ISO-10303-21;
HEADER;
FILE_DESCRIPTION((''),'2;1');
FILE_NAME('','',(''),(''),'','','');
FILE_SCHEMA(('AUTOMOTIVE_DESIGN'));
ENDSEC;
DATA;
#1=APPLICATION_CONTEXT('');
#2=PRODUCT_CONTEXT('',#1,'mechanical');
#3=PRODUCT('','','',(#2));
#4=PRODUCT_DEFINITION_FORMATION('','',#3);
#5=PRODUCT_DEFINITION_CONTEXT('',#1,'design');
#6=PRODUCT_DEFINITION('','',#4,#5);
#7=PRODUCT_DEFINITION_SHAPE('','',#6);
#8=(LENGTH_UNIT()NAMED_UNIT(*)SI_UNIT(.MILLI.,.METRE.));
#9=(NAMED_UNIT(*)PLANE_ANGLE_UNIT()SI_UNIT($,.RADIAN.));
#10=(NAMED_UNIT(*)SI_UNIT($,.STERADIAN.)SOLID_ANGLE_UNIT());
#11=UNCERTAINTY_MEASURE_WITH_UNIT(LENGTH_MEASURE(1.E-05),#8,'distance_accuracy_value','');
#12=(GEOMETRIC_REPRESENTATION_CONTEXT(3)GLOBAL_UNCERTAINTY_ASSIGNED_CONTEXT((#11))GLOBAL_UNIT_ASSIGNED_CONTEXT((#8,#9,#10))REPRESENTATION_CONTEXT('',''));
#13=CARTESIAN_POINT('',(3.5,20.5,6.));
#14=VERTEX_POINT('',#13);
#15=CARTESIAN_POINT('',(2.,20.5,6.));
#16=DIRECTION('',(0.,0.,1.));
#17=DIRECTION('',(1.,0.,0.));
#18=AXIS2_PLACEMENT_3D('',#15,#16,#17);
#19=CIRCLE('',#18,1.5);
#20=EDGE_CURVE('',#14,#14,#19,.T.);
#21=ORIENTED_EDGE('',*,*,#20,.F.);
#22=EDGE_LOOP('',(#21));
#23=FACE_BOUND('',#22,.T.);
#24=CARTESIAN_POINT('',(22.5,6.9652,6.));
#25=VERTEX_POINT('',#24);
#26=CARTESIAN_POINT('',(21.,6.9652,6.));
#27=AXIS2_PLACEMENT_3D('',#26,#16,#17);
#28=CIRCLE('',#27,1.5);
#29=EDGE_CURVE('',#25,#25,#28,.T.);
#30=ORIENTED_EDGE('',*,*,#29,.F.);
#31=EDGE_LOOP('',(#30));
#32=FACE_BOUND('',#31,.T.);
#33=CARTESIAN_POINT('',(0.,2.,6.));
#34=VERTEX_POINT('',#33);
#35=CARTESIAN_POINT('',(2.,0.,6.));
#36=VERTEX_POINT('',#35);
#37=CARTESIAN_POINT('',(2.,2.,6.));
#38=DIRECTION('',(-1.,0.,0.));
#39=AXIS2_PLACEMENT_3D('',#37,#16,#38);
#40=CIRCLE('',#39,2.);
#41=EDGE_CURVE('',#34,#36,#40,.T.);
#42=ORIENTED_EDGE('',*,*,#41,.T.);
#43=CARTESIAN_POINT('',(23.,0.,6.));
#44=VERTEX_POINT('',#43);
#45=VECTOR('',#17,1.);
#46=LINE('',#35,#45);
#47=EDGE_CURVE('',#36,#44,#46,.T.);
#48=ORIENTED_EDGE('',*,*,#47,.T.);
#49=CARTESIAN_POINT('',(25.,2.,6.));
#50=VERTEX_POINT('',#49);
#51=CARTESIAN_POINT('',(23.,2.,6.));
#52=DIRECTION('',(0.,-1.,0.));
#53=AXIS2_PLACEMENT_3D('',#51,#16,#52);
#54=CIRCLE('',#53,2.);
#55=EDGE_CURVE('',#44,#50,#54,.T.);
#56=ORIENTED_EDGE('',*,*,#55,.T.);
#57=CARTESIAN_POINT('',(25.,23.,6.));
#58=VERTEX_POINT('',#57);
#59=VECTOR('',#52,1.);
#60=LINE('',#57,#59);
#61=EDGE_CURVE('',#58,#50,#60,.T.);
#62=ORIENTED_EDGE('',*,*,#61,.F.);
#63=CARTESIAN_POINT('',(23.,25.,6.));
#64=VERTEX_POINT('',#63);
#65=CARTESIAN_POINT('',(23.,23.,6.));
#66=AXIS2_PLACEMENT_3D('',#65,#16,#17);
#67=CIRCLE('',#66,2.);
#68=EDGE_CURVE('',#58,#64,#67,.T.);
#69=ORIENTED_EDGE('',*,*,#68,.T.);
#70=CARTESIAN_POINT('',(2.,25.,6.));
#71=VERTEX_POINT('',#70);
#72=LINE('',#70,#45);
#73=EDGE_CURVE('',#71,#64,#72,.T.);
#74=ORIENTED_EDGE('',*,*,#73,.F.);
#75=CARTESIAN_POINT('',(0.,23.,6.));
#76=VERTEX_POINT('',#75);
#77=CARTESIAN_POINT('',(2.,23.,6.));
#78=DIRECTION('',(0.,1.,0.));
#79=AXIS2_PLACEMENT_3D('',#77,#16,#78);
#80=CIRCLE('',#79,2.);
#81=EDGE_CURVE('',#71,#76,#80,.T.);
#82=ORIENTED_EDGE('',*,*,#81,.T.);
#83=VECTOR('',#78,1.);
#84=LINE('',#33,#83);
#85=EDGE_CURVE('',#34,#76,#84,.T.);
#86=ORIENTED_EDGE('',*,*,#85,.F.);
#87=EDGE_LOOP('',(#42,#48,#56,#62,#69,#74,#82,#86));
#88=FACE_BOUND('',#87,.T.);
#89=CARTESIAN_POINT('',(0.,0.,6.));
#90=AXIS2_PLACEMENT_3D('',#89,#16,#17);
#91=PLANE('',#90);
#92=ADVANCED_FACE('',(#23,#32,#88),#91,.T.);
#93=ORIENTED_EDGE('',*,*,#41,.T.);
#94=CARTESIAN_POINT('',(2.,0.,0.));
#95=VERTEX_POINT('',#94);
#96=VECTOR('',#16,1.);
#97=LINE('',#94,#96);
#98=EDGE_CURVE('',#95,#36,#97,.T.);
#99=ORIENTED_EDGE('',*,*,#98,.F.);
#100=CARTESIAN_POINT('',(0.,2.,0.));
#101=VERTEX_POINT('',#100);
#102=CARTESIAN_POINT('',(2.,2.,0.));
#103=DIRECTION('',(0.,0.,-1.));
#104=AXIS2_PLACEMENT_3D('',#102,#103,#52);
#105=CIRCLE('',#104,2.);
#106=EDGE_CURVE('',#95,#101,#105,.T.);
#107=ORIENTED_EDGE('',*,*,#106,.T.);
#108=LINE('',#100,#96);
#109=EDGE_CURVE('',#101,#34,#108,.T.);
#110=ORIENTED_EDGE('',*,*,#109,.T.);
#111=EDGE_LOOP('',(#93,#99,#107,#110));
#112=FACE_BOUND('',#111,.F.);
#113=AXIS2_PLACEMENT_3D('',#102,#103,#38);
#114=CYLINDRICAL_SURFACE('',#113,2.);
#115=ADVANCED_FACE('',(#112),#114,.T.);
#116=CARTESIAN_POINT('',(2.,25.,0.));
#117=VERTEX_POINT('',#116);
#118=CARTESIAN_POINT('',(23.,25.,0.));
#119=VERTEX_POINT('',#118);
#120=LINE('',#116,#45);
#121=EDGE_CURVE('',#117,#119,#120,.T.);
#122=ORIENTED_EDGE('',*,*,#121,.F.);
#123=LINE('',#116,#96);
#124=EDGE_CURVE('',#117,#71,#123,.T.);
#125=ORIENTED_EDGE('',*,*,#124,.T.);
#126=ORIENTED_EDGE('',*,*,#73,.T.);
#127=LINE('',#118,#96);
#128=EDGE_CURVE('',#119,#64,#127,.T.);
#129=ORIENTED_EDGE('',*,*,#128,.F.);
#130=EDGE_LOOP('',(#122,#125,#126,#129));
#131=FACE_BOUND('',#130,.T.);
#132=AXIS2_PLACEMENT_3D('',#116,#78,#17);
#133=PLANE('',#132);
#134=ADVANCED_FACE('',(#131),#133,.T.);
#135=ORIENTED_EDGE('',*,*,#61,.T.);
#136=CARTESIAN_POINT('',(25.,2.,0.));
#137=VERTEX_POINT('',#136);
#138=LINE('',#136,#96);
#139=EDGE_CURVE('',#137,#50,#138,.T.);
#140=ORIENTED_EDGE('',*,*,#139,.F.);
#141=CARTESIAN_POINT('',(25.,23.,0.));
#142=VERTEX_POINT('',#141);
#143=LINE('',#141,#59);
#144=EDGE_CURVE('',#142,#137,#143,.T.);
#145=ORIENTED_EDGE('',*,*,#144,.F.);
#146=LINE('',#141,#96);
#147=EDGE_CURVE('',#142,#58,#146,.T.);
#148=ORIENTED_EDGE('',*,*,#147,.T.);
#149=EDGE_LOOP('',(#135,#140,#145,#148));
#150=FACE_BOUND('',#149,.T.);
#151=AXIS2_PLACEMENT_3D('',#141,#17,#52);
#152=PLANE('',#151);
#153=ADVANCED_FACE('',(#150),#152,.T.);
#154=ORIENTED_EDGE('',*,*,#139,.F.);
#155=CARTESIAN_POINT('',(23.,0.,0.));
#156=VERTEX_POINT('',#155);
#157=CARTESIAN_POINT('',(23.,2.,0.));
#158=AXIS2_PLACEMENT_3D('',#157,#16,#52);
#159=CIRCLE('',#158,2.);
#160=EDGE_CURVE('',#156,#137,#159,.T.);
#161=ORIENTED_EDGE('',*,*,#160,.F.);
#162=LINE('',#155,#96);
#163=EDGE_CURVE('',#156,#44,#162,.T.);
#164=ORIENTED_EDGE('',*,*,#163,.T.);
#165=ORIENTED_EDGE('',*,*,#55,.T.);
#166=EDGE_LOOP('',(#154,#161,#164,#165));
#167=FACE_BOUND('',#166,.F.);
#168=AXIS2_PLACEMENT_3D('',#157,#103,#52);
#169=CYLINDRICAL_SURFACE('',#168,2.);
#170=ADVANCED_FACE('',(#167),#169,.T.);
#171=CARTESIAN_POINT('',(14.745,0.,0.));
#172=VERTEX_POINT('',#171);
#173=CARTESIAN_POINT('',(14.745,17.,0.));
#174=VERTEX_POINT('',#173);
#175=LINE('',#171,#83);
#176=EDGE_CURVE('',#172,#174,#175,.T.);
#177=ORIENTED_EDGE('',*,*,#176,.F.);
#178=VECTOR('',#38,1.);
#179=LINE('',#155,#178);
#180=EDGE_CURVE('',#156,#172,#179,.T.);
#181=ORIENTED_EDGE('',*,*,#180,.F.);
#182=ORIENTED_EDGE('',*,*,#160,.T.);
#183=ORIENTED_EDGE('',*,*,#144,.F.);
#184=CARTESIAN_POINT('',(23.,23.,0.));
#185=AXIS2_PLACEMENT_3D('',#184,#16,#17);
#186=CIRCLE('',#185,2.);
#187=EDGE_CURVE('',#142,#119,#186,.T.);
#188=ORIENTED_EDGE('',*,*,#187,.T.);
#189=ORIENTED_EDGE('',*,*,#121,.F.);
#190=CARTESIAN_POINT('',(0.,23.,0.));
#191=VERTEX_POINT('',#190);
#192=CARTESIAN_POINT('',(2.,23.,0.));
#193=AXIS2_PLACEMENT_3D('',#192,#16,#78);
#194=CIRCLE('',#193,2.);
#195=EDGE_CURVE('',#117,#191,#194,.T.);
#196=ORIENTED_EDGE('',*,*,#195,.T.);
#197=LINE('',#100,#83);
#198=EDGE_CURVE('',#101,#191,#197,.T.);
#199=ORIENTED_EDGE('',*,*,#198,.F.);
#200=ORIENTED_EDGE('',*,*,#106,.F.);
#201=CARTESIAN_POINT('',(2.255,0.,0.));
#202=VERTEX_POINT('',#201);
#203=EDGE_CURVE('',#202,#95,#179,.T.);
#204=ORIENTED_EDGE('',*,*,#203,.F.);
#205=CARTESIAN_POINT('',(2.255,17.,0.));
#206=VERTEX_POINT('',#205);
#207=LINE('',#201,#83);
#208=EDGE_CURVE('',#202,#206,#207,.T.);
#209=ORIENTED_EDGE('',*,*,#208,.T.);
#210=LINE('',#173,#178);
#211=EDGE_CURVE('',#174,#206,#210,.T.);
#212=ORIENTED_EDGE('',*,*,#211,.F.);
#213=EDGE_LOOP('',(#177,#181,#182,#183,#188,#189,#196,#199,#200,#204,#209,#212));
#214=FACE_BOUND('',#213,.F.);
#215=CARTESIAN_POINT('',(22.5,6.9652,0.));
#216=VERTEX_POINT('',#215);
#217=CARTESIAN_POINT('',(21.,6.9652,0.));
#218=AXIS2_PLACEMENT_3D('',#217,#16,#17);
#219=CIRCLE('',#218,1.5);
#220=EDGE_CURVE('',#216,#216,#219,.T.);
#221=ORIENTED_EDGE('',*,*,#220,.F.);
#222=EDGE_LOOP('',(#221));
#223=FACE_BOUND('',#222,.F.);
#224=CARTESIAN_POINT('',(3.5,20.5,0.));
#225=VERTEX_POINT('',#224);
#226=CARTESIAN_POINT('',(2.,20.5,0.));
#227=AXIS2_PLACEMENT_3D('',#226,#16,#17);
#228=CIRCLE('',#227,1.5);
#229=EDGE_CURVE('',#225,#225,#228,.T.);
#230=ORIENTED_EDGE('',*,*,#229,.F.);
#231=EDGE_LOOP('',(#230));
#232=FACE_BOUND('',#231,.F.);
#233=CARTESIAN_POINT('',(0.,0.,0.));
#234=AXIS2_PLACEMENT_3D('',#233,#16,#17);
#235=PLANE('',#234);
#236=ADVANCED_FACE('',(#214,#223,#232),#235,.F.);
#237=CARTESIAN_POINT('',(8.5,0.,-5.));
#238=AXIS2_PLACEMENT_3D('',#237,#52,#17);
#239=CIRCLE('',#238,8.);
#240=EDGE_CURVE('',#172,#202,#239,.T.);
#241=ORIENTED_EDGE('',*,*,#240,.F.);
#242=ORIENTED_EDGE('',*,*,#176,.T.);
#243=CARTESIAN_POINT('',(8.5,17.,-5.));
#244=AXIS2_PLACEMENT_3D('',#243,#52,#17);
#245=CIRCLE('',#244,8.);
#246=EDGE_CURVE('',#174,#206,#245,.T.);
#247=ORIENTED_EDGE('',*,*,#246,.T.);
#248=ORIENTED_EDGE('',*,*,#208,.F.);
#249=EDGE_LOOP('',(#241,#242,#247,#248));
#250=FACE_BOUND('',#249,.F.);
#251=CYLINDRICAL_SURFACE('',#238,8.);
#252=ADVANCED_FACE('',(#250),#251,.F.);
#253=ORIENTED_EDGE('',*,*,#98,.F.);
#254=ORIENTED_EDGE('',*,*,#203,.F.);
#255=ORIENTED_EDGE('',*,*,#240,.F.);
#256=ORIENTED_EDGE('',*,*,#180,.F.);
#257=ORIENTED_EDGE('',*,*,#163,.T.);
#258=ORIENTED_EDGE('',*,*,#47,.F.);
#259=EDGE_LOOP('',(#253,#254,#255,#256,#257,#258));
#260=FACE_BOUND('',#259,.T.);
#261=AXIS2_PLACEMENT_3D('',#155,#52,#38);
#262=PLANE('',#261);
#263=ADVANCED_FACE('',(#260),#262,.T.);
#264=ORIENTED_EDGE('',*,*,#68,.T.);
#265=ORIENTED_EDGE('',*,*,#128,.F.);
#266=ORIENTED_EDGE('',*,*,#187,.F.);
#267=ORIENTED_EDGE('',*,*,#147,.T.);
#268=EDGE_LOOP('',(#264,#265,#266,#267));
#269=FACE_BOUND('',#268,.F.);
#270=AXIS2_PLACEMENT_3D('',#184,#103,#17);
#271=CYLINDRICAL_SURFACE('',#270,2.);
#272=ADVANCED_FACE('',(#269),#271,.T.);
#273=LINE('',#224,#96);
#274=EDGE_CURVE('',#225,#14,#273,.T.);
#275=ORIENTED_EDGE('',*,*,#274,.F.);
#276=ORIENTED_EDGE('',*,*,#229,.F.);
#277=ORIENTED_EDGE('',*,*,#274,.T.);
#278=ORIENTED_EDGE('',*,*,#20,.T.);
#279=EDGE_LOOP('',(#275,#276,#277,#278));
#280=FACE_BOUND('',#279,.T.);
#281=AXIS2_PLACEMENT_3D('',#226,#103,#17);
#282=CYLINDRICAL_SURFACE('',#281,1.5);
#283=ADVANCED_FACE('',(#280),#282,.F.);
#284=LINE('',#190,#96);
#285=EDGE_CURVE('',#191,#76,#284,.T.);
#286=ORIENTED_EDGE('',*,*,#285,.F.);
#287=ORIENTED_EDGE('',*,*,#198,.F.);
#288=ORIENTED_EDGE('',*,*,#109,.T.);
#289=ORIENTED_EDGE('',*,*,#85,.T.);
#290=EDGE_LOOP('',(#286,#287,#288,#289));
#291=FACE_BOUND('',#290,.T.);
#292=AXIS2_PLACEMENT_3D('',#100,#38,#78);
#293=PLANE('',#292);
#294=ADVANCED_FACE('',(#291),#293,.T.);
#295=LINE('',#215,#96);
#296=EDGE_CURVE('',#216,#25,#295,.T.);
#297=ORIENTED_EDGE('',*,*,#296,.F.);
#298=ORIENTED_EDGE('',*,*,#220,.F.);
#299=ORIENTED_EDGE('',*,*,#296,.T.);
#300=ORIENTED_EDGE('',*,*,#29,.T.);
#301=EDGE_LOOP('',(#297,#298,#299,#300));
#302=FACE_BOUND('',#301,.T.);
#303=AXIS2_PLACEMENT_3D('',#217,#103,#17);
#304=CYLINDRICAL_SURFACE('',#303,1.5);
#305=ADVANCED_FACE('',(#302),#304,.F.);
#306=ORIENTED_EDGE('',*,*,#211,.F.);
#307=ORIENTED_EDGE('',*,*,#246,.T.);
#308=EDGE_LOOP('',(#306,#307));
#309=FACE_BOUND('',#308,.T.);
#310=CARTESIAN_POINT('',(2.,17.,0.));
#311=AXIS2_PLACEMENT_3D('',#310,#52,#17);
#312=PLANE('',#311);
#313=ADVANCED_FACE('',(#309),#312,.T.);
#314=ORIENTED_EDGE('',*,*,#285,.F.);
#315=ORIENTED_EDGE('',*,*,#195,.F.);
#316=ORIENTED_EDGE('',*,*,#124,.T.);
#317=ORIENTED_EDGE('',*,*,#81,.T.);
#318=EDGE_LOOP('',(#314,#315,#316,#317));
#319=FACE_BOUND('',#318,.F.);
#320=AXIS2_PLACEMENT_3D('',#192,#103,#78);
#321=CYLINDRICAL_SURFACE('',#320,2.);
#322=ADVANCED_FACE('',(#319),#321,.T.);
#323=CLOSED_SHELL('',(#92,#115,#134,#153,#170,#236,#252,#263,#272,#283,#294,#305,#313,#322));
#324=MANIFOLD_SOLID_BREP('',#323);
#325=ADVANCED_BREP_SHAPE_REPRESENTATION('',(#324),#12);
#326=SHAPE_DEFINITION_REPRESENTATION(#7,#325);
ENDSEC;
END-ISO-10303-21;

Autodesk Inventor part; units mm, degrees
ref_plane "YZ Plane" through (0, 0, 0) normal (1, 0, 0) x (0, 1, 0)
ref_plane "XZ Plane" through (0, 0, 0) normal (0, 1, 0) x (-1, 0, 0)
ref_plane "XY Plane" through (0, 0, 0) normal (0, 0, 1) x (1, 0, 0)
sketch "Sketch1" plane through (0, 0, 0) normal (0, 0, 1) x (1, 0, 0)
  circle A0 centre (21, 6.9652) radius 1.5 construction
  circle A1 centre (21, 6.9652) radius 1.5 construction
  line L0 (25, 0) -> (16.5, 0) construction
  line L1 (25, 0) -> (25, 55) construction
  line L2 (0, 55) -> (25, 55) construction
  line L3 (0, 0) -> (0, 55) construction
  line L4 (0.5, 0) -> (0, 0) construction
  line L5 (0.5, 17) -> (16.5, 17) construction
  circle A2 centre (16, 45) radius 7.5 construction
  line L6 (2, 25) -> (23, 25)
  line L7 (25, 23) -> (25, 2)
  line L8 (23, 0) -> (2, 0)
  line L9 (0, 2) -> (0, 23)
  circle A3 centre (21, 6.9652) radius 1.5
  arc A4 (2, 25) -> (0, 23) centre (2, 23) ccw
  arc A5 (0, 2) -> (2, 0) centre (2, 2) ccw
  arc A6 (23, 0) -> (25, 2) centre (23, 2) ccw
  arc A7 (25, 23) -> (23, 25) centre (23, 23) ccw
  circle A8 centre (2, 20.5) radius 1.5
  circle A9 centre (2, 20.5) radius 1.5 projected
  line L10 (14.5, 12) -> (14.5, 6) projected
  line L11 (14.5, 6) -> (16.5, 6) projected
  line L12 (16.5, 6) -> (16.5, 0) projected
  line L13 (0.5, 0) -> (0.5, 6) projected
  line L14 (0.5, 6) -> (2.5, 6) projected
  line L15 (2.5, 6) -> (2.5, 12) projected
  line L16 (2.5, 12) -> (0.5, 12) projected
  line L17 (0.5, 12) -> (0.5, 17) projected
  line L18 (16.5, 17) -> (16.5, 12) projected
  line L19 (16.5, 12) -> (14.5, 12) projected
  point P0 (0, 25)
  dimension "d0" = 25
  dimension "d1" = 3
  dimension "d2" = 2
  dimension "d5" = 3
  dimension "d6" = 2
  dimension "d7" = 4.5
extrude "Extrusion1" add sketch "Sketch1" along normal blind 6
sketch "Sketch2" plane through (2, 0, 0) normal (0, -1, 0) x (1, 0, 0)
  circle A0 centre (6.5, -5) radius 8 construction
  circle A1 centre (6.5, -5) radius 8
  line L0 (21, 0) -> (0, 0) projected
  line L1 (0, 0) -> (0, 6) projected
  line L2 (21, 6) -> (0, 6) projected
  line L3 (21, 0) -> (21, 6) projected
  line L4 (12.745, 0) -> (0.255, 0)
  point P0 (-2, 0)
extrude "Extrusion2" cut sketch "Sketch2" against normal blind 17 contours L0 A1 picked at (4.8404, 0.4206)
properties part number "Hotend Lock 3"
